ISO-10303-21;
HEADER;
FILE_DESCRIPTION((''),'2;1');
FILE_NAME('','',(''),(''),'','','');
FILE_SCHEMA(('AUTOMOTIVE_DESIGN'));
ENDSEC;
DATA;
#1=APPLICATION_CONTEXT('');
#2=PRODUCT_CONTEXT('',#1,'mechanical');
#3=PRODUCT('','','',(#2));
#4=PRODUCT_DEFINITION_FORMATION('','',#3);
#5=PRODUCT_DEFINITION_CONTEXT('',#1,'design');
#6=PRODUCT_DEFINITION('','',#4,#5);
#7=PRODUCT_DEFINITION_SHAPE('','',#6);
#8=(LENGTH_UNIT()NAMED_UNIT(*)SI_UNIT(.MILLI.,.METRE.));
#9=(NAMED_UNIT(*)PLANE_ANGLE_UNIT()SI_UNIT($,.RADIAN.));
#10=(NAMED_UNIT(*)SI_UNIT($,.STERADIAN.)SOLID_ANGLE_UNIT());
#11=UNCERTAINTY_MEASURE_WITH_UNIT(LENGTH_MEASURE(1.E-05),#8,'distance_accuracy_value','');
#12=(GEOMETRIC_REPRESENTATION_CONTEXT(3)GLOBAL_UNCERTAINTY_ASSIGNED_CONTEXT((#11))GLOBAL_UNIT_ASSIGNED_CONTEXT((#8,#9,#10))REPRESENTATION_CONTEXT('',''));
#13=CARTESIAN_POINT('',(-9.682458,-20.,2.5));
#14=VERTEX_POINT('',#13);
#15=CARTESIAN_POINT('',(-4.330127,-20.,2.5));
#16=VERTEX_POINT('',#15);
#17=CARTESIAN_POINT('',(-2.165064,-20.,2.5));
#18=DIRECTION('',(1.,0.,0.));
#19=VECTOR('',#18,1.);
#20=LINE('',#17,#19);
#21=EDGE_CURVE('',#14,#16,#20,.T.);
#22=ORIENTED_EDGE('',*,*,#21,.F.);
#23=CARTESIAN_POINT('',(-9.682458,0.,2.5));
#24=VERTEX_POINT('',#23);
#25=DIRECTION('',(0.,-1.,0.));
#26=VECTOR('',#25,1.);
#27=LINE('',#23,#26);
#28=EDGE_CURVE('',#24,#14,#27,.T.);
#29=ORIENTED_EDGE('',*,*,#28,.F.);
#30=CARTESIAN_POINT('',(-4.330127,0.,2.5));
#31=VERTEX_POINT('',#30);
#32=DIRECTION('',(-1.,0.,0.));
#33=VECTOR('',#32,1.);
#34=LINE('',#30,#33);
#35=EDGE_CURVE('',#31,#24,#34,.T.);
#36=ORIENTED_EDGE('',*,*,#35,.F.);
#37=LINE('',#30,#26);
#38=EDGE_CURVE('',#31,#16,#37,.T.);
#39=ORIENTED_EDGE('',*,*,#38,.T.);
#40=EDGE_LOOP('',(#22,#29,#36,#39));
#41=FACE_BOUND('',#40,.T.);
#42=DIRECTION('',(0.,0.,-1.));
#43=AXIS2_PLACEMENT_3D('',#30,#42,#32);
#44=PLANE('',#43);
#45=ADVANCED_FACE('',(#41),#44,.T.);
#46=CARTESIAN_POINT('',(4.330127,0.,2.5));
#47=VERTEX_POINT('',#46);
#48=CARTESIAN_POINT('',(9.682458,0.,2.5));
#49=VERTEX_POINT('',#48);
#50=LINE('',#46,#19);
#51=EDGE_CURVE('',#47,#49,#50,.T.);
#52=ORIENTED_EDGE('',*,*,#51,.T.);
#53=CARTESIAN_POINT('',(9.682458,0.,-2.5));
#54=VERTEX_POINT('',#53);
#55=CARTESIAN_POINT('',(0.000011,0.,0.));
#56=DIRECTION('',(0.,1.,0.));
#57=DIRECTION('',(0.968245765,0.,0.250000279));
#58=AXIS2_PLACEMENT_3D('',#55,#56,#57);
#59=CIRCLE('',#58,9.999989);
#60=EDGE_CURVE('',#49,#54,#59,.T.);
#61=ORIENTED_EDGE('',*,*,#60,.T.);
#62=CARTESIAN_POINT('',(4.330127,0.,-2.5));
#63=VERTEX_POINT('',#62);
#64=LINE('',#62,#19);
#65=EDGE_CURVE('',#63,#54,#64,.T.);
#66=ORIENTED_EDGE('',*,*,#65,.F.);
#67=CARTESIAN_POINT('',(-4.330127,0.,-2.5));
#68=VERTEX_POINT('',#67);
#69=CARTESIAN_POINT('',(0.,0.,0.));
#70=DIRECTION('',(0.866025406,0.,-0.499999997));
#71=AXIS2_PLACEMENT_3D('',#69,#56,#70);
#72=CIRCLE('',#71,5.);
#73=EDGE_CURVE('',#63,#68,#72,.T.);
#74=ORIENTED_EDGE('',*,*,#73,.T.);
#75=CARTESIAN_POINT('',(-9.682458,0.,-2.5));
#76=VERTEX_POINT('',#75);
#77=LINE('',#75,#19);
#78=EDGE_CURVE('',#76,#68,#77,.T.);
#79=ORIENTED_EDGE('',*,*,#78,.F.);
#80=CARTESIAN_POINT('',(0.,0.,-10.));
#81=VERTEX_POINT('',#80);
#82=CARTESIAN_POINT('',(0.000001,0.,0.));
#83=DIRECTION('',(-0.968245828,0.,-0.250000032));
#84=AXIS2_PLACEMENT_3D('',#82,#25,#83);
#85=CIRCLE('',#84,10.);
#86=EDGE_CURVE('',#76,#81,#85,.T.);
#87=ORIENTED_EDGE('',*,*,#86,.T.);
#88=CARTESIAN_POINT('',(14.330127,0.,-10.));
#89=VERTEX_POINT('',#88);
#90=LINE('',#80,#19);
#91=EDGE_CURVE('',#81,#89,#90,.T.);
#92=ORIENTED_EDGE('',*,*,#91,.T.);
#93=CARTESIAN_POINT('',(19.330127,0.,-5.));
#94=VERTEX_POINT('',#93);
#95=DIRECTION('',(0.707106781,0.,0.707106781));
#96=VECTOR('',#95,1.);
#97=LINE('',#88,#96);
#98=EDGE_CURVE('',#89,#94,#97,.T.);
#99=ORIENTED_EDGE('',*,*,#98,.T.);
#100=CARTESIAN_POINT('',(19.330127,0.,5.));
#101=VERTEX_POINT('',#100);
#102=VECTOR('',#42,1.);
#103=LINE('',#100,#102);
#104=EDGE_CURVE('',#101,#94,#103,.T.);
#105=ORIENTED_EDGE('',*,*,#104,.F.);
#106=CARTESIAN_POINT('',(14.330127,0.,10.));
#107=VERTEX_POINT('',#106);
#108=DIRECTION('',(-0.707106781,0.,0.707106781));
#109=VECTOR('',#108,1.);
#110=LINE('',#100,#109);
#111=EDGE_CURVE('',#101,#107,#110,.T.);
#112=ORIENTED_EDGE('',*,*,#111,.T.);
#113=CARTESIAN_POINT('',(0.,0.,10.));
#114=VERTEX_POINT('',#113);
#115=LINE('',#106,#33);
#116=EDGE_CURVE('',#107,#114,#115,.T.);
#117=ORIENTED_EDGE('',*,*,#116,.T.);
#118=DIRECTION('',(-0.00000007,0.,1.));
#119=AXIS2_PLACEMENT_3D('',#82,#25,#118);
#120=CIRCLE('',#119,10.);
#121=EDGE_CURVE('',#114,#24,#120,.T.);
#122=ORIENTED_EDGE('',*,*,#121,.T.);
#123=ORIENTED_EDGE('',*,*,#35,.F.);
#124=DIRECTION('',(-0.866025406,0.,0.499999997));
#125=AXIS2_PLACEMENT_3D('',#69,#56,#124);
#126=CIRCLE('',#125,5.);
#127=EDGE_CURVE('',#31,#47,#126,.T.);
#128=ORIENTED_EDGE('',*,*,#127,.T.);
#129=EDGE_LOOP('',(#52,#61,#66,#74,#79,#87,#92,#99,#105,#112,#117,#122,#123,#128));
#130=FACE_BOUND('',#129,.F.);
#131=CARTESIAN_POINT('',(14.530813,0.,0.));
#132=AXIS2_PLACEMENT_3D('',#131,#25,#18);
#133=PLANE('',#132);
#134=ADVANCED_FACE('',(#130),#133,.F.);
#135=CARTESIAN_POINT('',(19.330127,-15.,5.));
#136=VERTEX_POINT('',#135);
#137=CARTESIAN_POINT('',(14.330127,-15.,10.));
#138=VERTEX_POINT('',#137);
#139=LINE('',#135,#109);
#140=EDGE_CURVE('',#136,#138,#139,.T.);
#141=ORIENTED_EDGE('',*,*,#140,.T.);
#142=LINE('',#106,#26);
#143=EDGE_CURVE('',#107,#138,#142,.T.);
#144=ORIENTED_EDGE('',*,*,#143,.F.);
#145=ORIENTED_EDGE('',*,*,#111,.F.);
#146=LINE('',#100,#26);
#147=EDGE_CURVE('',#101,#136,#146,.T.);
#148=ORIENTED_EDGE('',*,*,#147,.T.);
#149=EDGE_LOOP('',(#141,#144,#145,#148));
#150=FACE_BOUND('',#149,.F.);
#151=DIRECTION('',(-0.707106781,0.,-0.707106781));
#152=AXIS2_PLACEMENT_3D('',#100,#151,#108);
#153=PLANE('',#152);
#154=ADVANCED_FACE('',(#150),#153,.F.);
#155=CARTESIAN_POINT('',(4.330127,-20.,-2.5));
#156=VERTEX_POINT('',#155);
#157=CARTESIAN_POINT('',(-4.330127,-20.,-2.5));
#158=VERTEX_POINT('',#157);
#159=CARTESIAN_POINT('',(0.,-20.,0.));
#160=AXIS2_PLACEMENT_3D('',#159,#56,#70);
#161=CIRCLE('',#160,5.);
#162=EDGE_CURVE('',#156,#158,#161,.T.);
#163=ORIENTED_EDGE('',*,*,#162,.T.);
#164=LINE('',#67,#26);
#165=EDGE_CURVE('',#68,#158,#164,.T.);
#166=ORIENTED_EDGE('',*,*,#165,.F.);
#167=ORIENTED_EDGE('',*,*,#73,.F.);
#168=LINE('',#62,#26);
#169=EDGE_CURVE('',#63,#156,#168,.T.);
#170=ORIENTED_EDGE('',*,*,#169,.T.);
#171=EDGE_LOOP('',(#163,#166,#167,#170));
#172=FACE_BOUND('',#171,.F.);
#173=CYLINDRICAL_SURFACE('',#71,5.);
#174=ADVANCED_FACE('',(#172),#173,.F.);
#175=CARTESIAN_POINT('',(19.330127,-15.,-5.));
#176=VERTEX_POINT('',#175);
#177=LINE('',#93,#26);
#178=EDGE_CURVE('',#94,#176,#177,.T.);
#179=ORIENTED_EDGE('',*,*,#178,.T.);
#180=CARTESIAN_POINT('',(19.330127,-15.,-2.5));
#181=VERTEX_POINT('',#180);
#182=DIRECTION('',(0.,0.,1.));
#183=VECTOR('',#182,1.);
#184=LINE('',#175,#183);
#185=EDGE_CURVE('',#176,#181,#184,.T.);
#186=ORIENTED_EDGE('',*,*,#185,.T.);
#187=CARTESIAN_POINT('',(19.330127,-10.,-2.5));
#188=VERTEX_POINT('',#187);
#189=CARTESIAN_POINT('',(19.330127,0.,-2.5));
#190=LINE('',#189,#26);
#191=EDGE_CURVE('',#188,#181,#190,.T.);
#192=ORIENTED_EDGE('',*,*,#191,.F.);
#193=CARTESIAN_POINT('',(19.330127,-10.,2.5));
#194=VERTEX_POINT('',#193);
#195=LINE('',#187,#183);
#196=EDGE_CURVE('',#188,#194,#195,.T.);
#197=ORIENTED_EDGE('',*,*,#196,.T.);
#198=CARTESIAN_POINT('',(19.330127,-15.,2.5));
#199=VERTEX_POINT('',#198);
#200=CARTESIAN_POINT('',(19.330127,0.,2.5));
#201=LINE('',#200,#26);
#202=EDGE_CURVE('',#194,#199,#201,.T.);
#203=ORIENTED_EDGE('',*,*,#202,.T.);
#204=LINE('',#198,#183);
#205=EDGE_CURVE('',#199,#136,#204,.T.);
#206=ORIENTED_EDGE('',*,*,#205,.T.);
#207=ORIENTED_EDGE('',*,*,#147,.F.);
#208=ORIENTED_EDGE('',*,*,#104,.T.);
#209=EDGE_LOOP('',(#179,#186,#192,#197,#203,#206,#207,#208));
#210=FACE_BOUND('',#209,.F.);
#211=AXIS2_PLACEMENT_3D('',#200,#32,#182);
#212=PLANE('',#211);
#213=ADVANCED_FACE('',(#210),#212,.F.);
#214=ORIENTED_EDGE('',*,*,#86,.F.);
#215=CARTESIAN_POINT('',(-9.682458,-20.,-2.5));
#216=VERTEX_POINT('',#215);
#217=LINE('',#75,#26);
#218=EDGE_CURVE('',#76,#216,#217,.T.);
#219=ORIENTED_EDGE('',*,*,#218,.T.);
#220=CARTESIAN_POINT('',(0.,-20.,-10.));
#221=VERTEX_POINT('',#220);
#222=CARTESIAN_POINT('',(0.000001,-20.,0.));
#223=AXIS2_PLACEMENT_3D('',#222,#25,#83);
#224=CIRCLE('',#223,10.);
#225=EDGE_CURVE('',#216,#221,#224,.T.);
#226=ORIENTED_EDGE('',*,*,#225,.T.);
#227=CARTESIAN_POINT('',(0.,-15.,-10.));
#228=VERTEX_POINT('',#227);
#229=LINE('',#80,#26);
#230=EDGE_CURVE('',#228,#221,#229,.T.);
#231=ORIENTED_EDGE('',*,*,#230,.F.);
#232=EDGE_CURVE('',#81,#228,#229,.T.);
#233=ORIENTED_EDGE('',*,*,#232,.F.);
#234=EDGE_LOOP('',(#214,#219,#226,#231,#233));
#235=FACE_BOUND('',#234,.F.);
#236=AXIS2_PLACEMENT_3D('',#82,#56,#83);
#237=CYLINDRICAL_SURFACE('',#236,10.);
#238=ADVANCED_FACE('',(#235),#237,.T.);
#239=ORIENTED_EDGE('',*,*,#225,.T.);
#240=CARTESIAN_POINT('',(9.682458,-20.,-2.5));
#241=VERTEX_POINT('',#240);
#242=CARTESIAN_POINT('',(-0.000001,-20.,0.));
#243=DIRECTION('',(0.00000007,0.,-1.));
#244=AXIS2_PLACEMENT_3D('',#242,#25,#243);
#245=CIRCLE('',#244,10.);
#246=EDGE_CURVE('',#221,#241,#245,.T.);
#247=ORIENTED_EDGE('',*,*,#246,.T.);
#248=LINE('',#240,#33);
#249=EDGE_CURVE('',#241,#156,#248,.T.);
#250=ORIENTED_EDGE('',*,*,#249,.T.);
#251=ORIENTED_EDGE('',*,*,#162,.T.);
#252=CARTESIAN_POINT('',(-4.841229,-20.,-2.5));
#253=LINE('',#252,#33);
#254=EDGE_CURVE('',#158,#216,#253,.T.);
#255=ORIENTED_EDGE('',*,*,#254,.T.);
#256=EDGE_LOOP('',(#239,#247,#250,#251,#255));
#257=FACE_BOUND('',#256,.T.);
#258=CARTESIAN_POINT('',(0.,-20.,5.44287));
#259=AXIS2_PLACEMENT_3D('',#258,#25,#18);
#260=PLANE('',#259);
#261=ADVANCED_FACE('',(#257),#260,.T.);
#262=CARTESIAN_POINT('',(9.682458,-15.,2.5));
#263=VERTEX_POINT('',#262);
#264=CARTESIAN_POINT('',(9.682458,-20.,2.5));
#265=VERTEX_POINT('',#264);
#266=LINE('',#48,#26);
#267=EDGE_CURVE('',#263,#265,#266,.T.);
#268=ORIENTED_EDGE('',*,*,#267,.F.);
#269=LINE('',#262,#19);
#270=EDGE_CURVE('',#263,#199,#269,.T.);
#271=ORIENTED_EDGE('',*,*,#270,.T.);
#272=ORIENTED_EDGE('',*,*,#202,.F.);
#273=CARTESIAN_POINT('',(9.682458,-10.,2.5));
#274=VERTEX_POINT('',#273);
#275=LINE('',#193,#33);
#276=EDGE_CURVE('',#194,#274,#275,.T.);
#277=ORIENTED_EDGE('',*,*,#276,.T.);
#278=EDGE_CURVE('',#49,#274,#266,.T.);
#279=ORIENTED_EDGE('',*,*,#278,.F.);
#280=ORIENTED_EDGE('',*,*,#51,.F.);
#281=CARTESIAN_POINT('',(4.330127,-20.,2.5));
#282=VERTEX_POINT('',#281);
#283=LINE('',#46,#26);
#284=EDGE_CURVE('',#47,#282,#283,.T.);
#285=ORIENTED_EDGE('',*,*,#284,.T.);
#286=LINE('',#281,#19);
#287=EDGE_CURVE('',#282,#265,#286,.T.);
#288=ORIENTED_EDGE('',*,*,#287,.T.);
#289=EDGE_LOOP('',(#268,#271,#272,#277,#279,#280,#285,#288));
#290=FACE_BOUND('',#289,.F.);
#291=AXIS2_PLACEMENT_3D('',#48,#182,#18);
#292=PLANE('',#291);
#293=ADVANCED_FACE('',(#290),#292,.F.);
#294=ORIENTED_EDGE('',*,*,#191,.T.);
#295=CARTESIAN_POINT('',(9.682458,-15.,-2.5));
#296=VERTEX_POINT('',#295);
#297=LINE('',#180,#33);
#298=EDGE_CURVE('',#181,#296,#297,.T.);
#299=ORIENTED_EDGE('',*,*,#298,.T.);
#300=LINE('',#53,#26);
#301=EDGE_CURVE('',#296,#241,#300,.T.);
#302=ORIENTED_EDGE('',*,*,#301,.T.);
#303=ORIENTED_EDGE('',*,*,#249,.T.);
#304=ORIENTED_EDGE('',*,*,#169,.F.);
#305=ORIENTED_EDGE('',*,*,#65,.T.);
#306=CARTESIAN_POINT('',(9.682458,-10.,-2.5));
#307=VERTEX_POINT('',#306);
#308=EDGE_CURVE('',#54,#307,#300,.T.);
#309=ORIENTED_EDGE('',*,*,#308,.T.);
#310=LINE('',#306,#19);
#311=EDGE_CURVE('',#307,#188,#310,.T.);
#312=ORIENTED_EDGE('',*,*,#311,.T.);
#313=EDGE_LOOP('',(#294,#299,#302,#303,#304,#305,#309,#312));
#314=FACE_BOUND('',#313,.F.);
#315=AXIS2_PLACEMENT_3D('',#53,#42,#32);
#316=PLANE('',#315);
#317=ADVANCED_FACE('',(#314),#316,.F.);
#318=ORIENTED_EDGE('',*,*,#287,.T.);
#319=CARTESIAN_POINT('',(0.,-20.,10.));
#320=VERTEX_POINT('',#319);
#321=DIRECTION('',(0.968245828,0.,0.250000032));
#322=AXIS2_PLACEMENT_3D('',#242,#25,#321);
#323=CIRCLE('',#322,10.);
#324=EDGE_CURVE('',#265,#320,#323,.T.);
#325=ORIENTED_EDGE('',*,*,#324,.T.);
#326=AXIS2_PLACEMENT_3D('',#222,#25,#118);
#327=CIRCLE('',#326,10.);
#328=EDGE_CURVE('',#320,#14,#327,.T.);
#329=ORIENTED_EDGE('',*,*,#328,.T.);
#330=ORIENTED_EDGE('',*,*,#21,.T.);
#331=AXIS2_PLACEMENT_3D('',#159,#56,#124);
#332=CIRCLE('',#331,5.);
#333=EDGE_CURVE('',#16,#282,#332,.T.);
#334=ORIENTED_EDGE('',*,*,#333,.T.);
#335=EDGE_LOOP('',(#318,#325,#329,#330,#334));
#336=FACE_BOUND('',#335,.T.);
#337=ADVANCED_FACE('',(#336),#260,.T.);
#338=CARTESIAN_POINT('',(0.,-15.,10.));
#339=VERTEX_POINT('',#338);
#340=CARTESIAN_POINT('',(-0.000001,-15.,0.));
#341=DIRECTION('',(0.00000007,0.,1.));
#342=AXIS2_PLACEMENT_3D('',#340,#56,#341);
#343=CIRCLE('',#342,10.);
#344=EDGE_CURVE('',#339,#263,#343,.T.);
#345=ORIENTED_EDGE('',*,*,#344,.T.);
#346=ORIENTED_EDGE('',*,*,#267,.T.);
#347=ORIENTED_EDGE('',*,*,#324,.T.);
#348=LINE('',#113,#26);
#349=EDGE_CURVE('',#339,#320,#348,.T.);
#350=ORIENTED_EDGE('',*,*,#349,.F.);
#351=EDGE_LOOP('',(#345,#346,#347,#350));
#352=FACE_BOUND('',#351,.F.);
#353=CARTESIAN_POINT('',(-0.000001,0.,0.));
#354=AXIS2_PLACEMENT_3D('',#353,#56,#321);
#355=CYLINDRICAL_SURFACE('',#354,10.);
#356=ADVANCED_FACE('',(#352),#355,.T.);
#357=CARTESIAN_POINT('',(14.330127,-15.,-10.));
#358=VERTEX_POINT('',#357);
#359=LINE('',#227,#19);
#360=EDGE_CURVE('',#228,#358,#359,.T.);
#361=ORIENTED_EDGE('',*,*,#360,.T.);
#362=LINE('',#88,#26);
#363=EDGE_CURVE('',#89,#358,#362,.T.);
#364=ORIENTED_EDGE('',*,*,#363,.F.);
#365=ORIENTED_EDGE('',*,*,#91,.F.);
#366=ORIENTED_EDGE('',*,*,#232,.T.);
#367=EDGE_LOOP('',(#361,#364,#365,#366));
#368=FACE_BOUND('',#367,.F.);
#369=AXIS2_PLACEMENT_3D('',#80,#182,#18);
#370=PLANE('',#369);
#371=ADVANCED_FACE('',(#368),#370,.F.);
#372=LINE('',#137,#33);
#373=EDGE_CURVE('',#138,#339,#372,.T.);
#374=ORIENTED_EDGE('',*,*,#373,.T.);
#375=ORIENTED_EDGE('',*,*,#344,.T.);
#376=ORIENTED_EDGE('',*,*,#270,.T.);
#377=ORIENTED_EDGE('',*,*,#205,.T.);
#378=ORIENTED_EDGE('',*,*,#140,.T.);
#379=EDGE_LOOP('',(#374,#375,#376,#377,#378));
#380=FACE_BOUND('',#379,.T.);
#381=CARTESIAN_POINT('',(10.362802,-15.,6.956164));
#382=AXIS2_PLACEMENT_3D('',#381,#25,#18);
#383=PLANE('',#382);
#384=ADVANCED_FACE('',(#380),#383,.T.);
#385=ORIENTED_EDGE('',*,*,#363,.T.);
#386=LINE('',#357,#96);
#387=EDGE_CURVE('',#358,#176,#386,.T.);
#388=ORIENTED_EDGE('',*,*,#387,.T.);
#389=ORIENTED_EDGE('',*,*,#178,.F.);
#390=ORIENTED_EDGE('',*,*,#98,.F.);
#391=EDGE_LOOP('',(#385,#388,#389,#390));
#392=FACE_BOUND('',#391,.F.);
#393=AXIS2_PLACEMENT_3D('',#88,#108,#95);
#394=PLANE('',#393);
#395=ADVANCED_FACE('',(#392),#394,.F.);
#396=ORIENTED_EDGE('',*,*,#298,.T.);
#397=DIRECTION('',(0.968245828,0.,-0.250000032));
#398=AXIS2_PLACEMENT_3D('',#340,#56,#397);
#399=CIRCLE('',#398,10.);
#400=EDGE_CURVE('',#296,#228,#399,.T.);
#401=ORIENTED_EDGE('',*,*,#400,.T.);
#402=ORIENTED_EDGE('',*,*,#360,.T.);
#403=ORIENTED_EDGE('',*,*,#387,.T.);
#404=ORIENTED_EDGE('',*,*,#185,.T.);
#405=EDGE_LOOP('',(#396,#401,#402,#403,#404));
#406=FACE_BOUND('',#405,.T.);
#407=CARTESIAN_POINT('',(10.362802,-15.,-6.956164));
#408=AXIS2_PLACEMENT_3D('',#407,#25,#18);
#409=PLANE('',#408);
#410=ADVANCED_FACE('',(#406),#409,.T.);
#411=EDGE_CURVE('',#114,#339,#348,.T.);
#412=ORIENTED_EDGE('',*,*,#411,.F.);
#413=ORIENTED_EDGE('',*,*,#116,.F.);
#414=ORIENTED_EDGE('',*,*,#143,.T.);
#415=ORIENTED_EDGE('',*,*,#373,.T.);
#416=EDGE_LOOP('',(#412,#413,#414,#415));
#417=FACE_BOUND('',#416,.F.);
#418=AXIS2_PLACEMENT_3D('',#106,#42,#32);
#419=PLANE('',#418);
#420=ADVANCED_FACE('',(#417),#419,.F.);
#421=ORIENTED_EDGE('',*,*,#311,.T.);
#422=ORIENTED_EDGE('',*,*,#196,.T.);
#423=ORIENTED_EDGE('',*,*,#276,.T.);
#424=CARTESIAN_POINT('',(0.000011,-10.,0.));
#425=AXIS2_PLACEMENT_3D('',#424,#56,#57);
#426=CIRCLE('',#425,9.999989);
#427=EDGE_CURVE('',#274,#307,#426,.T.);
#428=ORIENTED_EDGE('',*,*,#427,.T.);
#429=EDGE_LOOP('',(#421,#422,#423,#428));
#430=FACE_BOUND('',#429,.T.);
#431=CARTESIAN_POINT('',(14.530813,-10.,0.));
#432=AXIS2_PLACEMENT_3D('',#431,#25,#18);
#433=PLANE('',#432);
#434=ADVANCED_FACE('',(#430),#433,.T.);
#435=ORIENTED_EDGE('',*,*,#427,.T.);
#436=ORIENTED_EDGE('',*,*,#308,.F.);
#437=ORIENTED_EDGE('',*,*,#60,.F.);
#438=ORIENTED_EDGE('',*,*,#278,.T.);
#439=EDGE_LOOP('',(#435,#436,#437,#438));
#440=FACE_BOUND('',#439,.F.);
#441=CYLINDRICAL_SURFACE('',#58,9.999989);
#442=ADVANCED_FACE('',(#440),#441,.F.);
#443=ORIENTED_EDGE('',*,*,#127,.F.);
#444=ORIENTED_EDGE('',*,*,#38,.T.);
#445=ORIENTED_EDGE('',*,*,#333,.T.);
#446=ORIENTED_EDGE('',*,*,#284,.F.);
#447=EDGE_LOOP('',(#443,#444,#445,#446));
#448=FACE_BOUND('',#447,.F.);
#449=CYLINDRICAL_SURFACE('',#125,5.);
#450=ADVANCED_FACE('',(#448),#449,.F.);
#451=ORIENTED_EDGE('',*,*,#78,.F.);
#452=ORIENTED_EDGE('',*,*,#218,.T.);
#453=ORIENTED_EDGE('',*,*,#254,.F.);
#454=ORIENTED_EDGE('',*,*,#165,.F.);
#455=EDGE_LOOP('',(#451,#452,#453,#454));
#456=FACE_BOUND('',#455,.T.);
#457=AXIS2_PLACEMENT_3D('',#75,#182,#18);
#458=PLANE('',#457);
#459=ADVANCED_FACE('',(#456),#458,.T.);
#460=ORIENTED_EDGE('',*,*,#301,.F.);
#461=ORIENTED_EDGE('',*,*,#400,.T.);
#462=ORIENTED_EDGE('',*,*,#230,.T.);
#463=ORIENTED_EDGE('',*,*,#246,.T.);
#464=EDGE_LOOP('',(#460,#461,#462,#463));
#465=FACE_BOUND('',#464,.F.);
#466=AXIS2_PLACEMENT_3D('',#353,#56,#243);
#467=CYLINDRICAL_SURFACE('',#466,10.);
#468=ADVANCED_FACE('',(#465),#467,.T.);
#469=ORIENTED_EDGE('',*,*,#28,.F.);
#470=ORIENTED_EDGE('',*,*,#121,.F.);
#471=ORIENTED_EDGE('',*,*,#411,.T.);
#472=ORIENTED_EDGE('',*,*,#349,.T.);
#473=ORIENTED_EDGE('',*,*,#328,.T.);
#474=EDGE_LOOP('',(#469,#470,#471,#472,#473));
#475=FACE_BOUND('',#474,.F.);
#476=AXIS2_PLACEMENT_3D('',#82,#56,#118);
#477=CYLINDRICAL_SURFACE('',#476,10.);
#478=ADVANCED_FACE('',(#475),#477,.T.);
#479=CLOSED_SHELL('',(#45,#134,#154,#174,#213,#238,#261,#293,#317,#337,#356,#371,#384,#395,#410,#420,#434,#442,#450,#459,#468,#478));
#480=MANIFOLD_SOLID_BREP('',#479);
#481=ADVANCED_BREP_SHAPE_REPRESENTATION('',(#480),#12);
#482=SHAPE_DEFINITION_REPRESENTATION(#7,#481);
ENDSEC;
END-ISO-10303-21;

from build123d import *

# Parameters (mm, degrees)
F1_DEPTH = 20
F2_DEPTH = 15
F3_DEPTH = 10
F4_DEPTH = 25


with BuildPart() as f1:
    # F0 (on Front) → F1 (new body)
    with BuildSketch(Plane.XZ):
        with BuildLine():
            ThreePointArc((-4.330127, 2.5), (0, 5), (4.330127, 2.5))
            Line((4.330127, 2.5), (9.682458, 2.5))
            ThreePointArc((9.682458, 2.5), (6.123724, 7.905694), (0, 10))
            ThreePointArc((0, 10), (-6.123724, 7.905694), (-9.682458, 2.5))
            Line((-9.682458, 2.5), (-4.330127, 2.5))
        make_face()
        with BuildLine():
            Line((9.682458, -2.5), (4.330127, -2.5))
            ThreePointArc((4.330127, -2.5), (0, -5), (-4.330127, -2.5))
            Line((-4.330127, -2.5), (-9.682458, -2.5))
            ThreePointArc((-9.682458, -2.5), (-6.123724, -7.905694), (0, -10))
            ThreePointArc((0, -10), (6.123724, -7.905694), (9.682458, -2.5))
        make_face()
        with BuildLine():
            ThreePointArc((-5, 0), (-4.829629, 1.294095), (-4.330127, 2.5))
            Line((-4.330127, 2.5), (-9.682458, 2.5))
            ThreePointArc((-9.682458, 2.5), (-9.920297, 1.260043), (-10, 0))
            ThreePointArc((-10, 0), (-9.920297, -1.260043), (-9.682458, -2.5))
            Line((-9.682458, -2.5), (-4.330127, -2.5))
            ThreePointArc((-4.330127, -2.5), (-4.829629, -1.294095), (-5, 0))
        make_face()
    extrude(amount=F1_DEPTH)

    # F0 (on Front) → F2 (join)
    with BuildSketch(Plane.XZ):
        with BuildLine():
            ThreePointArc((0, 10), (6.123724, 7.905694), (9.682458, 2.5))
            Line((9.682458, 2.5), (19.330127, 2.5))
            Line((19.330127, 2.5), (19.330127, 5))
            Line((19.330127, 5), (14.330127, 10))
            Line((14.330127, 10), (0, 10))
        make_face()
        with BuildLine():
            Line((19.330127, -2.5), (9.682458, -2.5))
            ThreePointArc((9.682458, -2.5), (6.123724, -7.905694), (0, -10))
            Line((0, -10), (14.330127, -10))
            Line((14.330127, -10), (19.330127, -5))
            Line((19.330127, -5), (19.330127, -2.5))
        make_face()
    extrude(amount=F2_DEPTH)

    # F0 (on Front) → F3 (join)
    with BuildSketch(Plane.XZ):
        with BuildLine():
            Line((19.330127, 2.5), (9.682458, 2.5))
            ThreePointArc((9.682458, 2.5), (10, 0), (9.682458, -2.5))
            Line((9.682458, -2.5), (19.330127, -2.5))
            Line((19.330127, -2.5), (19.330127, 0))
            Line((19.330127, 0), (19.330127, 2.5))
        make_face()
    extrude(amount=F3_DEPTH)

    # F0 (on Front) → F4 (cut)
    with BuildSketch(Plane.XZ):
        with BuildLine():
            ThreePointArc((-5, 0), (-4.829629, 1.294095), (-4.330127, 2.5))
            Line((-4.330127, 2.5), (-9.682458, 2.5))
            ThreePointArc((-9.682458, 2.5), (-9.920297, 1.260043), (-10, 0))
            ThreePointArc((-10, 0), (-9.920297, -1.260043), (-9.682458, -2.5))
            Line((-9.682458, -2.5), (-4.330127, -2.5))
            ThreePointArc((-4.330127, -2.5), (-4.829629, -1.294095), (-5, 0))
        make_face()
    extrude(amount=F4_DEPTH, mode=Mode.SUBTRACT)


solid = f1.part
